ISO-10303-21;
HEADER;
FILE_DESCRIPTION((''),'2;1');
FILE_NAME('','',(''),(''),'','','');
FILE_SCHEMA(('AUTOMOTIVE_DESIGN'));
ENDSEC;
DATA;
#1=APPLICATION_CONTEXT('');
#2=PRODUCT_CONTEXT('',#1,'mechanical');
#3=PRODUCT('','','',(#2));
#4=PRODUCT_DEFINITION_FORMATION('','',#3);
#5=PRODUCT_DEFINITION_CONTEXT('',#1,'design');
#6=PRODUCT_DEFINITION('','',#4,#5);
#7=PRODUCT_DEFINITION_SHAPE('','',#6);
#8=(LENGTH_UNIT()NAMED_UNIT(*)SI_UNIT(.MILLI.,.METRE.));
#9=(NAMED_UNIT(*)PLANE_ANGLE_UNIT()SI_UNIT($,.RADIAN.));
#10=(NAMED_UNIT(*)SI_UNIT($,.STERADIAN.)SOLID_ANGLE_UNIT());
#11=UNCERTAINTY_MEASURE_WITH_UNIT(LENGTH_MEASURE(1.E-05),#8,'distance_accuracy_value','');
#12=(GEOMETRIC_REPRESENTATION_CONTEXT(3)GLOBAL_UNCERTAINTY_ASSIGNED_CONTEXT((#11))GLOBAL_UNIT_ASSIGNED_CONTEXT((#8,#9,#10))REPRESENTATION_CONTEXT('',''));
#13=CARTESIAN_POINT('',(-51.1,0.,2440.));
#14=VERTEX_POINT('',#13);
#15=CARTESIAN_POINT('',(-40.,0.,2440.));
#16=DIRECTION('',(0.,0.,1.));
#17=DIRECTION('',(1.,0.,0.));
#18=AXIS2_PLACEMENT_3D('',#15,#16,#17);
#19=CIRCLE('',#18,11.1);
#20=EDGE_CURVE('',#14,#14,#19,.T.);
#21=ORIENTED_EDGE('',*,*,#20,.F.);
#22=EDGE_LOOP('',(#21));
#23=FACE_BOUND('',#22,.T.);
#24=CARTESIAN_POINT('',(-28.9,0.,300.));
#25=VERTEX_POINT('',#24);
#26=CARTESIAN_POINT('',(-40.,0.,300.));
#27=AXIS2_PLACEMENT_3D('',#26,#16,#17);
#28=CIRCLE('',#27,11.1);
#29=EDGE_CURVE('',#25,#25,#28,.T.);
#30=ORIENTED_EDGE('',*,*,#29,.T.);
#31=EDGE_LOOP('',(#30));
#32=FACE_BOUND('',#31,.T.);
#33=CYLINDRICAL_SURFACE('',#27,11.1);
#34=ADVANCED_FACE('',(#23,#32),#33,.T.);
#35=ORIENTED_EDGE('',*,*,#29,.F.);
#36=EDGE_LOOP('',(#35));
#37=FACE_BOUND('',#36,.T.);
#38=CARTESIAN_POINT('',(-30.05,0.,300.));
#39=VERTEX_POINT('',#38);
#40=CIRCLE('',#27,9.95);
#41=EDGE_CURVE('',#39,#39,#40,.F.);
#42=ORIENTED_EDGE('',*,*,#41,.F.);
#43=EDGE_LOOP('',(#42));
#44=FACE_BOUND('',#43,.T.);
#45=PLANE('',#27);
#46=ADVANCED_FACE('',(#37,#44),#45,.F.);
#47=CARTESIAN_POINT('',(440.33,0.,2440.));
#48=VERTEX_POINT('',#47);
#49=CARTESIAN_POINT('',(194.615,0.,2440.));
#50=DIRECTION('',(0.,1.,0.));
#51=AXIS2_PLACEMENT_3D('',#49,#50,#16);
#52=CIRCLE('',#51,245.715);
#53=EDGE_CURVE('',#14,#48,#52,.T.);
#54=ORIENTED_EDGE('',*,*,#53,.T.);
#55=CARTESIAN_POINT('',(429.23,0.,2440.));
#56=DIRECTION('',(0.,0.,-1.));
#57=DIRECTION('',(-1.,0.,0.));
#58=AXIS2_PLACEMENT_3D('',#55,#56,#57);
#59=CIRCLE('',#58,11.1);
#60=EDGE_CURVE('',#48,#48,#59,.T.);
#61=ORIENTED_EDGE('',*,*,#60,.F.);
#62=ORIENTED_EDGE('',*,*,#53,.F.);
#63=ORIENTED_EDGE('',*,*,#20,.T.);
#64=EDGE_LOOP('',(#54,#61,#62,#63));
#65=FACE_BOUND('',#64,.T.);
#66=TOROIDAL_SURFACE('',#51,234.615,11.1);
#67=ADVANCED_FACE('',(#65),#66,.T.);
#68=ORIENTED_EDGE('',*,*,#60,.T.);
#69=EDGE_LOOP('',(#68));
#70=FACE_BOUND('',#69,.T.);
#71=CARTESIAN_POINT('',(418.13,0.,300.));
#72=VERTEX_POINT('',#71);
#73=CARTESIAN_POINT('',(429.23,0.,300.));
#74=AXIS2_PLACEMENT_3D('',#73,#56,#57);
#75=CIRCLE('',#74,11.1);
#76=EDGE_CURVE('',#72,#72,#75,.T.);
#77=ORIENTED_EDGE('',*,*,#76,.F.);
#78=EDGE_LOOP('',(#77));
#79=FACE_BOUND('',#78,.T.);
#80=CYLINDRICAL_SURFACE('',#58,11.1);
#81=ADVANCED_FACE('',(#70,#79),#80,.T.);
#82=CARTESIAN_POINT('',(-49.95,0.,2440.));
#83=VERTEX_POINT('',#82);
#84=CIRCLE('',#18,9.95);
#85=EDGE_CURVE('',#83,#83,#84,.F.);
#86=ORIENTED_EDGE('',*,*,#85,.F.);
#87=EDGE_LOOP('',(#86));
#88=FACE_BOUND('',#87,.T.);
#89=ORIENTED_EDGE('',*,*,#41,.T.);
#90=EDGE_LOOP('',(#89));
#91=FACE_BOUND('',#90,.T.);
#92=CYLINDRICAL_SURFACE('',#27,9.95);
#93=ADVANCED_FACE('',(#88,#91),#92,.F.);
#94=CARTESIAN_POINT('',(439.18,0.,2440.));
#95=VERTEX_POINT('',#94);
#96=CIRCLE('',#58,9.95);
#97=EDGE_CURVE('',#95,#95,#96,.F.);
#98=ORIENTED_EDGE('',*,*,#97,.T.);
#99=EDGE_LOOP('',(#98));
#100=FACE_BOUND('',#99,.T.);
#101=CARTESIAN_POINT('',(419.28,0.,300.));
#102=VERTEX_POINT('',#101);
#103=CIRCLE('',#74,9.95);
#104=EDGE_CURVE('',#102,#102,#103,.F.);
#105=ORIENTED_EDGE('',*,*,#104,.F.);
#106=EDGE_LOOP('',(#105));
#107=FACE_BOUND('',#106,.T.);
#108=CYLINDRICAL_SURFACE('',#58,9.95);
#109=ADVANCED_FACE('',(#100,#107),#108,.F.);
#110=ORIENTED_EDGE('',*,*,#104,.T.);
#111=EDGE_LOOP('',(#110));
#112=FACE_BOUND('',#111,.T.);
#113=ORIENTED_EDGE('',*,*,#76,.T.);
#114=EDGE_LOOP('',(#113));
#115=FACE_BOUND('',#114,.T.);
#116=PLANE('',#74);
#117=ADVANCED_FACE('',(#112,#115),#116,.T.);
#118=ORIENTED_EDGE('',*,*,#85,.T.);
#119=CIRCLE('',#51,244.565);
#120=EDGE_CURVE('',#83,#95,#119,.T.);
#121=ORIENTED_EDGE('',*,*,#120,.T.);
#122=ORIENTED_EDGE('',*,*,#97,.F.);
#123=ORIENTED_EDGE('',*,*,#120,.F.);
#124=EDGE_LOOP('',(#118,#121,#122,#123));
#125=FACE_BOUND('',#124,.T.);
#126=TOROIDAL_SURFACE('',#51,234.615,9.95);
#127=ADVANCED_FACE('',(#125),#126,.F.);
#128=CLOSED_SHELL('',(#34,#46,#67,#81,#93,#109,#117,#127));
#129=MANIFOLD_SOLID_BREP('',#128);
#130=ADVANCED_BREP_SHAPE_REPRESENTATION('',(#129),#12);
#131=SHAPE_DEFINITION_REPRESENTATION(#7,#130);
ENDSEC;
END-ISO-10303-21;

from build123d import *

# Parameters (mm, degrees)
SKETCH2_R   = 11.1
SKETCH2_R_2 = 9.95


with BuildPart() as part:
    # Sweep1: sweep along a path in Sketch1
    with BuildLine(Plane(origin=(0, 0, 0), x_dir=(1, 0, 0), z_dir=(0, 1, 0))) as sweep1_path:
        Line((429.23, -300), (429.23, -2440))
        ThreePointArc((429.23, -2440), (194.615, -2674.615), (-40, -2440))
        Line((-40, -2440), (-40, -300))
    # Sketch2 → Sweep1 (sweep)
    with BuildSketch(Plane(origin=(429.23, 0, 300), x_dir=(-1, 0, 0), z_dir=(0, 0, -1))):
        Circle(SKETCH2_R)
        Circle(SKETCH2_R_2, mode=Mode.SUBTRACT)
    sweep(path=sweep1_path.line)


solid = part.part
